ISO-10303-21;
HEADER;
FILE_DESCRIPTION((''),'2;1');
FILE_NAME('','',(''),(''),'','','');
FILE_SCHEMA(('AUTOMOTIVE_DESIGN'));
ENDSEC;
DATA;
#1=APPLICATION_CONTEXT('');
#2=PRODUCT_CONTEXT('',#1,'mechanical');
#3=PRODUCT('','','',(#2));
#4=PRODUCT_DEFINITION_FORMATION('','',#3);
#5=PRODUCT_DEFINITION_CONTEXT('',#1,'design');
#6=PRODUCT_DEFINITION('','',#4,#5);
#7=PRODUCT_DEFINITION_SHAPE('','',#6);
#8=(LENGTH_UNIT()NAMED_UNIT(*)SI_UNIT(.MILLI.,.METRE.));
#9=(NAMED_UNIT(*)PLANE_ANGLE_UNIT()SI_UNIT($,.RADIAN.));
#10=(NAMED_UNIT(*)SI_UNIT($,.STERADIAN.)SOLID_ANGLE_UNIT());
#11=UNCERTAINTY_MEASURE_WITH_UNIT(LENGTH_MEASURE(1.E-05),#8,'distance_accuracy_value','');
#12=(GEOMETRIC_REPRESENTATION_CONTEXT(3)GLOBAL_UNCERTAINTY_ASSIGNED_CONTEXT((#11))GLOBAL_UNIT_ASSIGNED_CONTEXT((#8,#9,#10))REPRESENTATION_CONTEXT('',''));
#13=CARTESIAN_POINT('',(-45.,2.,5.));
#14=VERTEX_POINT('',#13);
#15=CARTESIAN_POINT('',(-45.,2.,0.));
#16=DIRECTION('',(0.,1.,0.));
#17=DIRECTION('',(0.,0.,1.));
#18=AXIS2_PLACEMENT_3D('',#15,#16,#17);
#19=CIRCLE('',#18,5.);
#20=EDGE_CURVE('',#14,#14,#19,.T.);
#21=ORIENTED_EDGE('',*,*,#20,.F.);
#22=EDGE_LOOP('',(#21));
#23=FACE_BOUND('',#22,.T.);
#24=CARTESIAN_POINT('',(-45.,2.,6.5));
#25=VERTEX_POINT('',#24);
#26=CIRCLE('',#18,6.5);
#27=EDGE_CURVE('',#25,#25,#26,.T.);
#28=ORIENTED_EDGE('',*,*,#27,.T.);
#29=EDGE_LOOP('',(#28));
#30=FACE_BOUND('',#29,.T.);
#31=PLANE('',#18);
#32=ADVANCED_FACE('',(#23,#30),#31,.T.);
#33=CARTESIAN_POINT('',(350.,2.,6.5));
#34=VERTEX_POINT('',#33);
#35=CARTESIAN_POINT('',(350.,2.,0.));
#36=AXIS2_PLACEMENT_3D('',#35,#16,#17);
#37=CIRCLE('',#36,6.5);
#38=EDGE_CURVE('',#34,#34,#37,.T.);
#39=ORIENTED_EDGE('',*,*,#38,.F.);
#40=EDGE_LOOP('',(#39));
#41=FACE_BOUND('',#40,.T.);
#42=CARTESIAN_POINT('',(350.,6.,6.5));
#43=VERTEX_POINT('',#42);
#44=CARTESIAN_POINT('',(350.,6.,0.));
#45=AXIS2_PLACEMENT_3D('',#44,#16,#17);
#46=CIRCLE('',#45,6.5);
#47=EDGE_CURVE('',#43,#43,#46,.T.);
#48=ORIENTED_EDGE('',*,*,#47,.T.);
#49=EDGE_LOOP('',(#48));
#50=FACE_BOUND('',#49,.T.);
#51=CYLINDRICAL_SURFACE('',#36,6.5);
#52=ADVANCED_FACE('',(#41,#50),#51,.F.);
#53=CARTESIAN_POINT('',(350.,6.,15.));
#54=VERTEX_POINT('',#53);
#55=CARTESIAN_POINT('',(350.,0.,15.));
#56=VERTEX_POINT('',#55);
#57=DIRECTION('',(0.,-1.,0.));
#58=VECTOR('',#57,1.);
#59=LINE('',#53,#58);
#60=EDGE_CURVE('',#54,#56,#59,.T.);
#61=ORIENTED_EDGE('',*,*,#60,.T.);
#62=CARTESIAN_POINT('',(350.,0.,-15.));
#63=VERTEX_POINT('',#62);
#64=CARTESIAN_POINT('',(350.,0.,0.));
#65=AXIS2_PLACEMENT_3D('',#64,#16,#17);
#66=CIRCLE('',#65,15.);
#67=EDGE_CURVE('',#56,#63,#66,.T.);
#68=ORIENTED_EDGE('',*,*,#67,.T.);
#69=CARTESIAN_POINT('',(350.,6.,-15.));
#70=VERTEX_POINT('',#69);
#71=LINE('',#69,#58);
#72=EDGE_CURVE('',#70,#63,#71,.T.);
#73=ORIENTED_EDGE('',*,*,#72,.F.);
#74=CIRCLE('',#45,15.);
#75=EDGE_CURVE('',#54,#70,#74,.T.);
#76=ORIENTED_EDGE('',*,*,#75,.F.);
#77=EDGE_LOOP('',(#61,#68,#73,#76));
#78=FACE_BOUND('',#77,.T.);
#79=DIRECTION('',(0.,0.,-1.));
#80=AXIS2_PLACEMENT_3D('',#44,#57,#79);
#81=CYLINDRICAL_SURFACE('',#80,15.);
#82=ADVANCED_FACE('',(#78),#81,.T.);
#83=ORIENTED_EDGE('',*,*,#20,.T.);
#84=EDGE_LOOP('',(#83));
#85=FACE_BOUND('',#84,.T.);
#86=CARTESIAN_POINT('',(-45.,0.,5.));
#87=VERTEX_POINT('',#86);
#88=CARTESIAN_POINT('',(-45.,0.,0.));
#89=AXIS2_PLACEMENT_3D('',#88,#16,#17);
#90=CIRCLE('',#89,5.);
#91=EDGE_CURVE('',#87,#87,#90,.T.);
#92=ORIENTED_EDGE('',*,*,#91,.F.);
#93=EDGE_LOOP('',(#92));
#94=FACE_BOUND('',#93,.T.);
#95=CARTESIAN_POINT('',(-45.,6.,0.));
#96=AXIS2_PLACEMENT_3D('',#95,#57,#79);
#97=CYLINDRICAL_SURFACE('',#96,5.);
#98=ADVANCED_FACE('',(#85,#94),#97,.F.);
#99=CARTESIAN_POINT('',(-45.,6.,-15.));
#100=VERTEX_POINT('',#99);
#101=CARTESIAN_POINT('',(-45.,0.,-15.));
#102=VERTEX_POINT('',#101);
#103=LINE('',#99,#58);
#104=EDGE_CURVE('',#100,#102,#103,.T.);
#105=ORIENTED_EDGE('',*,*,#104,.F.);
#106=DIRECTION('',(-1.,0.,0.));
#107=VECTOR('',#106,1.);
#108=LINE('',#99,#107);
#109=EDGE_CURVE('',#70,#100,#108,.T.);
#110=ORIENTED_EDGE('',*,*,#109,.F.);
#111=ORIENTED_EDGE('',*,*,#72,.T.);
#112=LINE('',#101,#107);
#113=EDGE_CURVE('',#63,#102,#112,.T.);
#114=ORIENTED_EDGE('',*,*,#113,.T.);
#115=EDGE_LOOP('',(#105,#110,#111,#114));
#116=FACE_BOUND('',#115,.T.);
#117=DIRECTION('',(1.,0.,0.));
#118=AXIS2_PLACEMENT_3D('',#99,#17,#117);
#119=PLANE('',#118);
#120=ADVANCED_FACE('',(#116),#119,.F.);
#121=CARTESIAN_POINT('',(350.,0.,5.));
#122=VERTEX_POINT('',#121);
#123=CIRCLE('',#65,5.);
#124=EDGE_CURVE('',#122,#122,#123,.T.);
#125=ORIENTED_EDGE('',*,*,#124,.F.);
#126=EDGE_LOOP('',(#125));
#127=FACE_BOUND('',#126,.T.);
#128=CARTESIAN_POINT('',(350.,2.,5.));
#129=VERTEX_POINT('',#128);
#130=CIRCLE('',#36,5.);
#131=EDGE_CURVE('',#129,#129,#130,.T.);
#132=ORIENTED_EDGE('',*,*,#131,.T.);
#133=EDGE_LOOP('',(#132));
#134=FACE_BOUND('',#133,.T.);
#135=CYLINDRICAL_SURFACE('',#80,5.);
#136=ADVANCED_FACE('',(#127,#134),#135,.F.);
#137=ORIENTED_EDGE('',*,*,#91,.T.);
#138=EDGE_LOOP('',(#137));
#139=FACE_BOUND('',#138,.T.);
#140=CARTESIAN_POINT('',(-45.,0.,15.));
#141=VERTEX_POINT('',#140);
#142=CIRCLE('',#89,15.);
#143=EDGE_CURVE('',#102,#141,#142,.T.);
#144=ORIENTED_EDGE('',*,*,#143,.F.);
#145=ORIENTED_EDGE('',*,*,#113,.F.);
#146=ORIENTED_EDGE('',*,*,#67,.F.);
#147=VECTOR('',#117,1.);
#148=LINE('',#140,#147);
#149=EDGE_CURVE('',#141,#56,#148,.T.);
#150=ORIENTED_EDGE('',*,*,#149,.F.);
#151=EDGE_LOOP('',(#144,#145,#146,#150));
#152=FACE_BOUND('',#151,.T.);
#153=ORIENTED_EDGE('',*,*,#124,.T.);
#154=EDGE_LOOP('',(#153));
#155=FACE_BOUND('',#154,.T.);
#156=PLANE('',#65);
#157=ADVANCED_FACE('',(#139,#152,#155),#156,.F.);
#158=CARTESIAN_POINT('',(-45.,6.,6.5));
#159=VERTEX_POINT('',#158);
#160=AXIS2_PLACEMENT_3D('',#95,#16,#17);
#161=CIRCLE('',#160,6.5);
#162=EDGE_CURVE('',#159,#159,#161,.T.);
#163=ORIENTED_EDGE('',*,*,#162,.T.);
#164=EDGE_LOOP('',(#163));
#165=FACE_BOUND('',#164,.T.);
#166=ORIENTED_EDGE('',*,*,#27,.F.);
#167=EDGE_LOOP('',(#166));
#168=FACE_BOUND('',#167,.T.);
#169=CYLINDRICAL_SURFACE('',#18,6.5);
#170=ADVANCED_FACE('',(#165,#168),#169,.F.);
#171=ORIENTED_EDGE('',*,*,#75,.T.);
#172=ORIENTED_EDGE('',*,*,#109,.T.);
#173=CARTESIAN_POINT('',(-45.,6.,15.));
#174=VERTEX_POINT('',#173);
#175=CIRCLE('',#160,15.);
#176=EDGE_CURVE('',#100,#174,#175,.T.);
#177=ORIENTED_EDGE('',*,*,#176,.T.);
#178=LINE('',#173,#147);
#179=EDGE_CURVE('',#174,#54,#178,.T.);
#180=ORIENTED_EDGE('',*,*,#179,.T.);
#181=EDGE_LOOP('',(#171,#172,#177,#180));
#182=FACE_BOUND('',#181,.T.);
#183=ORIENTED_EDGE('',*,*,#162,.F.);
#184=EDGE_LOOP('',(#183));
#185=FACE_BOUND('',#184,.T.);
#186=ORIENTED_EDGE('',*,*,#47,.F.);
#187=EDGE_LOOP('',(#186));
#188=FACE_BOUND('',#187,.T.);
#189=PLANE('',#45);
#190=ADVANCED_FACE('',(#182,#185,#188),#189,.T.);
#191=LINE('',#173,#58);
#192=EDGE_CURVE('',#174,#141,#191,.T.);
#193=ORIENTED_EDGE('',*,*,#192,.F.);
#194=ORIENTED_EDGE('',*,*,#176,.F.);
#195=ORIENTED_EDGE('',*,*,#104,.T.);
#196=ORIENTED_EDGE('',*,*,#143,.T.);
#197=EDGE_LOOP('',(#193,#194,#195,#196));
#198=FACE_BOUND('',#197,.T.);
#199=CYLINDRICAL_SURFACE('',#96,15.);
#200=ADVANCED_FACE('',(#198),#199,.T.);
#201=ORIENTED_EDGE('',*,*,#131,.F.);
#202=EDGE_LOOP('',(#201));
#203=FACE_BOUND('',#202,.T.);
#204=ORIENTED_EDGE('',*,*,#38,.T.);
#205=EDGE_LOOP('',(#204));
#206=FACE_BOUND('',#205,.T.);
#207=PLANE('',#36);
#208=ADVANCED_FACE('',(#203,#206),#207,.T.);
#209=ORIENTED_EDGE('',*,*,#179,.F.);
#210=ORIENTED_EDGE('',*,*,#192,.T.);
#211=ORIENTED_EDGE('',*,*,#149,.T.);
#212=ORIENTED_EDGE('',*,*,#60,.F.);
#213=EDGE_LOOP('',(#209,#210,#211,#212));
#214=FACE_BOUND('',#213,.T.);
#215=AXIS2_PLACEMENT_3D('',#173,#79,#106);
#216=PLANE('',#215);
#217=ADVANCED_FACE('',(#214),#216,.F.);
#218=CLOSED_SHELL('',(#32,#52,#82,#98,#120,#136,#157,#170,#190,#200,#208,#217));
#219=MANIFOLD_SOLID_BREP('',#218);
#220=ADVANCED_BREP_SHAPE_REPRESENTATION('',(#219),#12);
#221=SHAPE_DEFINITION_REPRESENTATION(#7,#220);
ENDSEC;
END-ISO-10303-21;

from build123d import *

# Parameters (mm, degrees)
SKETCH2_R           = 5
BOSS_EXTRUDE1_DEPTH = 6
SKETCH4_R           = 6.5
CUT_EXTRUDE2_DEPTH  = 4


with BuildPart() as part:
    # Sketch2 → Boss-Extrude1 (new body)
    with BuildSketch(Plane(origin=(0, 0, 0), x_dir=(1, 0, 0), z_dir=(0, 1, 0))):
        with BuildLine():
            Line((-45, 15), (350, 15))
            ThreePointArc((350, 15), (365, 0), (350, -15))
            Line((350, -15), (-45, -15))
            ThreePointArc((-45, -15), (-60, 0), (-45, 15))
        make_face()
        with Locations(Location((-45, 0, 0), (0, 0, 270))):
            Circle(SKETCH2_R, mode=Mode.SUBTRACT)
        with Locations(Location((350, 0, 0), (0, 0, 270))):
            Circle(SKETCH2_R, mode=Mode.SUBTRACT)
    extrude(amount=BOSS_EXTRUDE1_DEPTH)

    # Sketch4 → Cut-Extrude2 (cut)
    with BuildSketch(Plane(origin=(0, 6, 0), x_dir=(1, 0, 0), z_dir=(0, 1, 0))):
        with Locations(Location((-45, 0, 0), (0, 0, 270))):
            Circle(SKETCH4_R)
        with Locations(Location((350, 0, 0), (0, 0, 270))):
            Circle(SKETCH4_R)
    extrude(amount=-CUT_EXTRUDE2_DEPTH, mode=Mode.SUBTRACT)


solid = part.part
